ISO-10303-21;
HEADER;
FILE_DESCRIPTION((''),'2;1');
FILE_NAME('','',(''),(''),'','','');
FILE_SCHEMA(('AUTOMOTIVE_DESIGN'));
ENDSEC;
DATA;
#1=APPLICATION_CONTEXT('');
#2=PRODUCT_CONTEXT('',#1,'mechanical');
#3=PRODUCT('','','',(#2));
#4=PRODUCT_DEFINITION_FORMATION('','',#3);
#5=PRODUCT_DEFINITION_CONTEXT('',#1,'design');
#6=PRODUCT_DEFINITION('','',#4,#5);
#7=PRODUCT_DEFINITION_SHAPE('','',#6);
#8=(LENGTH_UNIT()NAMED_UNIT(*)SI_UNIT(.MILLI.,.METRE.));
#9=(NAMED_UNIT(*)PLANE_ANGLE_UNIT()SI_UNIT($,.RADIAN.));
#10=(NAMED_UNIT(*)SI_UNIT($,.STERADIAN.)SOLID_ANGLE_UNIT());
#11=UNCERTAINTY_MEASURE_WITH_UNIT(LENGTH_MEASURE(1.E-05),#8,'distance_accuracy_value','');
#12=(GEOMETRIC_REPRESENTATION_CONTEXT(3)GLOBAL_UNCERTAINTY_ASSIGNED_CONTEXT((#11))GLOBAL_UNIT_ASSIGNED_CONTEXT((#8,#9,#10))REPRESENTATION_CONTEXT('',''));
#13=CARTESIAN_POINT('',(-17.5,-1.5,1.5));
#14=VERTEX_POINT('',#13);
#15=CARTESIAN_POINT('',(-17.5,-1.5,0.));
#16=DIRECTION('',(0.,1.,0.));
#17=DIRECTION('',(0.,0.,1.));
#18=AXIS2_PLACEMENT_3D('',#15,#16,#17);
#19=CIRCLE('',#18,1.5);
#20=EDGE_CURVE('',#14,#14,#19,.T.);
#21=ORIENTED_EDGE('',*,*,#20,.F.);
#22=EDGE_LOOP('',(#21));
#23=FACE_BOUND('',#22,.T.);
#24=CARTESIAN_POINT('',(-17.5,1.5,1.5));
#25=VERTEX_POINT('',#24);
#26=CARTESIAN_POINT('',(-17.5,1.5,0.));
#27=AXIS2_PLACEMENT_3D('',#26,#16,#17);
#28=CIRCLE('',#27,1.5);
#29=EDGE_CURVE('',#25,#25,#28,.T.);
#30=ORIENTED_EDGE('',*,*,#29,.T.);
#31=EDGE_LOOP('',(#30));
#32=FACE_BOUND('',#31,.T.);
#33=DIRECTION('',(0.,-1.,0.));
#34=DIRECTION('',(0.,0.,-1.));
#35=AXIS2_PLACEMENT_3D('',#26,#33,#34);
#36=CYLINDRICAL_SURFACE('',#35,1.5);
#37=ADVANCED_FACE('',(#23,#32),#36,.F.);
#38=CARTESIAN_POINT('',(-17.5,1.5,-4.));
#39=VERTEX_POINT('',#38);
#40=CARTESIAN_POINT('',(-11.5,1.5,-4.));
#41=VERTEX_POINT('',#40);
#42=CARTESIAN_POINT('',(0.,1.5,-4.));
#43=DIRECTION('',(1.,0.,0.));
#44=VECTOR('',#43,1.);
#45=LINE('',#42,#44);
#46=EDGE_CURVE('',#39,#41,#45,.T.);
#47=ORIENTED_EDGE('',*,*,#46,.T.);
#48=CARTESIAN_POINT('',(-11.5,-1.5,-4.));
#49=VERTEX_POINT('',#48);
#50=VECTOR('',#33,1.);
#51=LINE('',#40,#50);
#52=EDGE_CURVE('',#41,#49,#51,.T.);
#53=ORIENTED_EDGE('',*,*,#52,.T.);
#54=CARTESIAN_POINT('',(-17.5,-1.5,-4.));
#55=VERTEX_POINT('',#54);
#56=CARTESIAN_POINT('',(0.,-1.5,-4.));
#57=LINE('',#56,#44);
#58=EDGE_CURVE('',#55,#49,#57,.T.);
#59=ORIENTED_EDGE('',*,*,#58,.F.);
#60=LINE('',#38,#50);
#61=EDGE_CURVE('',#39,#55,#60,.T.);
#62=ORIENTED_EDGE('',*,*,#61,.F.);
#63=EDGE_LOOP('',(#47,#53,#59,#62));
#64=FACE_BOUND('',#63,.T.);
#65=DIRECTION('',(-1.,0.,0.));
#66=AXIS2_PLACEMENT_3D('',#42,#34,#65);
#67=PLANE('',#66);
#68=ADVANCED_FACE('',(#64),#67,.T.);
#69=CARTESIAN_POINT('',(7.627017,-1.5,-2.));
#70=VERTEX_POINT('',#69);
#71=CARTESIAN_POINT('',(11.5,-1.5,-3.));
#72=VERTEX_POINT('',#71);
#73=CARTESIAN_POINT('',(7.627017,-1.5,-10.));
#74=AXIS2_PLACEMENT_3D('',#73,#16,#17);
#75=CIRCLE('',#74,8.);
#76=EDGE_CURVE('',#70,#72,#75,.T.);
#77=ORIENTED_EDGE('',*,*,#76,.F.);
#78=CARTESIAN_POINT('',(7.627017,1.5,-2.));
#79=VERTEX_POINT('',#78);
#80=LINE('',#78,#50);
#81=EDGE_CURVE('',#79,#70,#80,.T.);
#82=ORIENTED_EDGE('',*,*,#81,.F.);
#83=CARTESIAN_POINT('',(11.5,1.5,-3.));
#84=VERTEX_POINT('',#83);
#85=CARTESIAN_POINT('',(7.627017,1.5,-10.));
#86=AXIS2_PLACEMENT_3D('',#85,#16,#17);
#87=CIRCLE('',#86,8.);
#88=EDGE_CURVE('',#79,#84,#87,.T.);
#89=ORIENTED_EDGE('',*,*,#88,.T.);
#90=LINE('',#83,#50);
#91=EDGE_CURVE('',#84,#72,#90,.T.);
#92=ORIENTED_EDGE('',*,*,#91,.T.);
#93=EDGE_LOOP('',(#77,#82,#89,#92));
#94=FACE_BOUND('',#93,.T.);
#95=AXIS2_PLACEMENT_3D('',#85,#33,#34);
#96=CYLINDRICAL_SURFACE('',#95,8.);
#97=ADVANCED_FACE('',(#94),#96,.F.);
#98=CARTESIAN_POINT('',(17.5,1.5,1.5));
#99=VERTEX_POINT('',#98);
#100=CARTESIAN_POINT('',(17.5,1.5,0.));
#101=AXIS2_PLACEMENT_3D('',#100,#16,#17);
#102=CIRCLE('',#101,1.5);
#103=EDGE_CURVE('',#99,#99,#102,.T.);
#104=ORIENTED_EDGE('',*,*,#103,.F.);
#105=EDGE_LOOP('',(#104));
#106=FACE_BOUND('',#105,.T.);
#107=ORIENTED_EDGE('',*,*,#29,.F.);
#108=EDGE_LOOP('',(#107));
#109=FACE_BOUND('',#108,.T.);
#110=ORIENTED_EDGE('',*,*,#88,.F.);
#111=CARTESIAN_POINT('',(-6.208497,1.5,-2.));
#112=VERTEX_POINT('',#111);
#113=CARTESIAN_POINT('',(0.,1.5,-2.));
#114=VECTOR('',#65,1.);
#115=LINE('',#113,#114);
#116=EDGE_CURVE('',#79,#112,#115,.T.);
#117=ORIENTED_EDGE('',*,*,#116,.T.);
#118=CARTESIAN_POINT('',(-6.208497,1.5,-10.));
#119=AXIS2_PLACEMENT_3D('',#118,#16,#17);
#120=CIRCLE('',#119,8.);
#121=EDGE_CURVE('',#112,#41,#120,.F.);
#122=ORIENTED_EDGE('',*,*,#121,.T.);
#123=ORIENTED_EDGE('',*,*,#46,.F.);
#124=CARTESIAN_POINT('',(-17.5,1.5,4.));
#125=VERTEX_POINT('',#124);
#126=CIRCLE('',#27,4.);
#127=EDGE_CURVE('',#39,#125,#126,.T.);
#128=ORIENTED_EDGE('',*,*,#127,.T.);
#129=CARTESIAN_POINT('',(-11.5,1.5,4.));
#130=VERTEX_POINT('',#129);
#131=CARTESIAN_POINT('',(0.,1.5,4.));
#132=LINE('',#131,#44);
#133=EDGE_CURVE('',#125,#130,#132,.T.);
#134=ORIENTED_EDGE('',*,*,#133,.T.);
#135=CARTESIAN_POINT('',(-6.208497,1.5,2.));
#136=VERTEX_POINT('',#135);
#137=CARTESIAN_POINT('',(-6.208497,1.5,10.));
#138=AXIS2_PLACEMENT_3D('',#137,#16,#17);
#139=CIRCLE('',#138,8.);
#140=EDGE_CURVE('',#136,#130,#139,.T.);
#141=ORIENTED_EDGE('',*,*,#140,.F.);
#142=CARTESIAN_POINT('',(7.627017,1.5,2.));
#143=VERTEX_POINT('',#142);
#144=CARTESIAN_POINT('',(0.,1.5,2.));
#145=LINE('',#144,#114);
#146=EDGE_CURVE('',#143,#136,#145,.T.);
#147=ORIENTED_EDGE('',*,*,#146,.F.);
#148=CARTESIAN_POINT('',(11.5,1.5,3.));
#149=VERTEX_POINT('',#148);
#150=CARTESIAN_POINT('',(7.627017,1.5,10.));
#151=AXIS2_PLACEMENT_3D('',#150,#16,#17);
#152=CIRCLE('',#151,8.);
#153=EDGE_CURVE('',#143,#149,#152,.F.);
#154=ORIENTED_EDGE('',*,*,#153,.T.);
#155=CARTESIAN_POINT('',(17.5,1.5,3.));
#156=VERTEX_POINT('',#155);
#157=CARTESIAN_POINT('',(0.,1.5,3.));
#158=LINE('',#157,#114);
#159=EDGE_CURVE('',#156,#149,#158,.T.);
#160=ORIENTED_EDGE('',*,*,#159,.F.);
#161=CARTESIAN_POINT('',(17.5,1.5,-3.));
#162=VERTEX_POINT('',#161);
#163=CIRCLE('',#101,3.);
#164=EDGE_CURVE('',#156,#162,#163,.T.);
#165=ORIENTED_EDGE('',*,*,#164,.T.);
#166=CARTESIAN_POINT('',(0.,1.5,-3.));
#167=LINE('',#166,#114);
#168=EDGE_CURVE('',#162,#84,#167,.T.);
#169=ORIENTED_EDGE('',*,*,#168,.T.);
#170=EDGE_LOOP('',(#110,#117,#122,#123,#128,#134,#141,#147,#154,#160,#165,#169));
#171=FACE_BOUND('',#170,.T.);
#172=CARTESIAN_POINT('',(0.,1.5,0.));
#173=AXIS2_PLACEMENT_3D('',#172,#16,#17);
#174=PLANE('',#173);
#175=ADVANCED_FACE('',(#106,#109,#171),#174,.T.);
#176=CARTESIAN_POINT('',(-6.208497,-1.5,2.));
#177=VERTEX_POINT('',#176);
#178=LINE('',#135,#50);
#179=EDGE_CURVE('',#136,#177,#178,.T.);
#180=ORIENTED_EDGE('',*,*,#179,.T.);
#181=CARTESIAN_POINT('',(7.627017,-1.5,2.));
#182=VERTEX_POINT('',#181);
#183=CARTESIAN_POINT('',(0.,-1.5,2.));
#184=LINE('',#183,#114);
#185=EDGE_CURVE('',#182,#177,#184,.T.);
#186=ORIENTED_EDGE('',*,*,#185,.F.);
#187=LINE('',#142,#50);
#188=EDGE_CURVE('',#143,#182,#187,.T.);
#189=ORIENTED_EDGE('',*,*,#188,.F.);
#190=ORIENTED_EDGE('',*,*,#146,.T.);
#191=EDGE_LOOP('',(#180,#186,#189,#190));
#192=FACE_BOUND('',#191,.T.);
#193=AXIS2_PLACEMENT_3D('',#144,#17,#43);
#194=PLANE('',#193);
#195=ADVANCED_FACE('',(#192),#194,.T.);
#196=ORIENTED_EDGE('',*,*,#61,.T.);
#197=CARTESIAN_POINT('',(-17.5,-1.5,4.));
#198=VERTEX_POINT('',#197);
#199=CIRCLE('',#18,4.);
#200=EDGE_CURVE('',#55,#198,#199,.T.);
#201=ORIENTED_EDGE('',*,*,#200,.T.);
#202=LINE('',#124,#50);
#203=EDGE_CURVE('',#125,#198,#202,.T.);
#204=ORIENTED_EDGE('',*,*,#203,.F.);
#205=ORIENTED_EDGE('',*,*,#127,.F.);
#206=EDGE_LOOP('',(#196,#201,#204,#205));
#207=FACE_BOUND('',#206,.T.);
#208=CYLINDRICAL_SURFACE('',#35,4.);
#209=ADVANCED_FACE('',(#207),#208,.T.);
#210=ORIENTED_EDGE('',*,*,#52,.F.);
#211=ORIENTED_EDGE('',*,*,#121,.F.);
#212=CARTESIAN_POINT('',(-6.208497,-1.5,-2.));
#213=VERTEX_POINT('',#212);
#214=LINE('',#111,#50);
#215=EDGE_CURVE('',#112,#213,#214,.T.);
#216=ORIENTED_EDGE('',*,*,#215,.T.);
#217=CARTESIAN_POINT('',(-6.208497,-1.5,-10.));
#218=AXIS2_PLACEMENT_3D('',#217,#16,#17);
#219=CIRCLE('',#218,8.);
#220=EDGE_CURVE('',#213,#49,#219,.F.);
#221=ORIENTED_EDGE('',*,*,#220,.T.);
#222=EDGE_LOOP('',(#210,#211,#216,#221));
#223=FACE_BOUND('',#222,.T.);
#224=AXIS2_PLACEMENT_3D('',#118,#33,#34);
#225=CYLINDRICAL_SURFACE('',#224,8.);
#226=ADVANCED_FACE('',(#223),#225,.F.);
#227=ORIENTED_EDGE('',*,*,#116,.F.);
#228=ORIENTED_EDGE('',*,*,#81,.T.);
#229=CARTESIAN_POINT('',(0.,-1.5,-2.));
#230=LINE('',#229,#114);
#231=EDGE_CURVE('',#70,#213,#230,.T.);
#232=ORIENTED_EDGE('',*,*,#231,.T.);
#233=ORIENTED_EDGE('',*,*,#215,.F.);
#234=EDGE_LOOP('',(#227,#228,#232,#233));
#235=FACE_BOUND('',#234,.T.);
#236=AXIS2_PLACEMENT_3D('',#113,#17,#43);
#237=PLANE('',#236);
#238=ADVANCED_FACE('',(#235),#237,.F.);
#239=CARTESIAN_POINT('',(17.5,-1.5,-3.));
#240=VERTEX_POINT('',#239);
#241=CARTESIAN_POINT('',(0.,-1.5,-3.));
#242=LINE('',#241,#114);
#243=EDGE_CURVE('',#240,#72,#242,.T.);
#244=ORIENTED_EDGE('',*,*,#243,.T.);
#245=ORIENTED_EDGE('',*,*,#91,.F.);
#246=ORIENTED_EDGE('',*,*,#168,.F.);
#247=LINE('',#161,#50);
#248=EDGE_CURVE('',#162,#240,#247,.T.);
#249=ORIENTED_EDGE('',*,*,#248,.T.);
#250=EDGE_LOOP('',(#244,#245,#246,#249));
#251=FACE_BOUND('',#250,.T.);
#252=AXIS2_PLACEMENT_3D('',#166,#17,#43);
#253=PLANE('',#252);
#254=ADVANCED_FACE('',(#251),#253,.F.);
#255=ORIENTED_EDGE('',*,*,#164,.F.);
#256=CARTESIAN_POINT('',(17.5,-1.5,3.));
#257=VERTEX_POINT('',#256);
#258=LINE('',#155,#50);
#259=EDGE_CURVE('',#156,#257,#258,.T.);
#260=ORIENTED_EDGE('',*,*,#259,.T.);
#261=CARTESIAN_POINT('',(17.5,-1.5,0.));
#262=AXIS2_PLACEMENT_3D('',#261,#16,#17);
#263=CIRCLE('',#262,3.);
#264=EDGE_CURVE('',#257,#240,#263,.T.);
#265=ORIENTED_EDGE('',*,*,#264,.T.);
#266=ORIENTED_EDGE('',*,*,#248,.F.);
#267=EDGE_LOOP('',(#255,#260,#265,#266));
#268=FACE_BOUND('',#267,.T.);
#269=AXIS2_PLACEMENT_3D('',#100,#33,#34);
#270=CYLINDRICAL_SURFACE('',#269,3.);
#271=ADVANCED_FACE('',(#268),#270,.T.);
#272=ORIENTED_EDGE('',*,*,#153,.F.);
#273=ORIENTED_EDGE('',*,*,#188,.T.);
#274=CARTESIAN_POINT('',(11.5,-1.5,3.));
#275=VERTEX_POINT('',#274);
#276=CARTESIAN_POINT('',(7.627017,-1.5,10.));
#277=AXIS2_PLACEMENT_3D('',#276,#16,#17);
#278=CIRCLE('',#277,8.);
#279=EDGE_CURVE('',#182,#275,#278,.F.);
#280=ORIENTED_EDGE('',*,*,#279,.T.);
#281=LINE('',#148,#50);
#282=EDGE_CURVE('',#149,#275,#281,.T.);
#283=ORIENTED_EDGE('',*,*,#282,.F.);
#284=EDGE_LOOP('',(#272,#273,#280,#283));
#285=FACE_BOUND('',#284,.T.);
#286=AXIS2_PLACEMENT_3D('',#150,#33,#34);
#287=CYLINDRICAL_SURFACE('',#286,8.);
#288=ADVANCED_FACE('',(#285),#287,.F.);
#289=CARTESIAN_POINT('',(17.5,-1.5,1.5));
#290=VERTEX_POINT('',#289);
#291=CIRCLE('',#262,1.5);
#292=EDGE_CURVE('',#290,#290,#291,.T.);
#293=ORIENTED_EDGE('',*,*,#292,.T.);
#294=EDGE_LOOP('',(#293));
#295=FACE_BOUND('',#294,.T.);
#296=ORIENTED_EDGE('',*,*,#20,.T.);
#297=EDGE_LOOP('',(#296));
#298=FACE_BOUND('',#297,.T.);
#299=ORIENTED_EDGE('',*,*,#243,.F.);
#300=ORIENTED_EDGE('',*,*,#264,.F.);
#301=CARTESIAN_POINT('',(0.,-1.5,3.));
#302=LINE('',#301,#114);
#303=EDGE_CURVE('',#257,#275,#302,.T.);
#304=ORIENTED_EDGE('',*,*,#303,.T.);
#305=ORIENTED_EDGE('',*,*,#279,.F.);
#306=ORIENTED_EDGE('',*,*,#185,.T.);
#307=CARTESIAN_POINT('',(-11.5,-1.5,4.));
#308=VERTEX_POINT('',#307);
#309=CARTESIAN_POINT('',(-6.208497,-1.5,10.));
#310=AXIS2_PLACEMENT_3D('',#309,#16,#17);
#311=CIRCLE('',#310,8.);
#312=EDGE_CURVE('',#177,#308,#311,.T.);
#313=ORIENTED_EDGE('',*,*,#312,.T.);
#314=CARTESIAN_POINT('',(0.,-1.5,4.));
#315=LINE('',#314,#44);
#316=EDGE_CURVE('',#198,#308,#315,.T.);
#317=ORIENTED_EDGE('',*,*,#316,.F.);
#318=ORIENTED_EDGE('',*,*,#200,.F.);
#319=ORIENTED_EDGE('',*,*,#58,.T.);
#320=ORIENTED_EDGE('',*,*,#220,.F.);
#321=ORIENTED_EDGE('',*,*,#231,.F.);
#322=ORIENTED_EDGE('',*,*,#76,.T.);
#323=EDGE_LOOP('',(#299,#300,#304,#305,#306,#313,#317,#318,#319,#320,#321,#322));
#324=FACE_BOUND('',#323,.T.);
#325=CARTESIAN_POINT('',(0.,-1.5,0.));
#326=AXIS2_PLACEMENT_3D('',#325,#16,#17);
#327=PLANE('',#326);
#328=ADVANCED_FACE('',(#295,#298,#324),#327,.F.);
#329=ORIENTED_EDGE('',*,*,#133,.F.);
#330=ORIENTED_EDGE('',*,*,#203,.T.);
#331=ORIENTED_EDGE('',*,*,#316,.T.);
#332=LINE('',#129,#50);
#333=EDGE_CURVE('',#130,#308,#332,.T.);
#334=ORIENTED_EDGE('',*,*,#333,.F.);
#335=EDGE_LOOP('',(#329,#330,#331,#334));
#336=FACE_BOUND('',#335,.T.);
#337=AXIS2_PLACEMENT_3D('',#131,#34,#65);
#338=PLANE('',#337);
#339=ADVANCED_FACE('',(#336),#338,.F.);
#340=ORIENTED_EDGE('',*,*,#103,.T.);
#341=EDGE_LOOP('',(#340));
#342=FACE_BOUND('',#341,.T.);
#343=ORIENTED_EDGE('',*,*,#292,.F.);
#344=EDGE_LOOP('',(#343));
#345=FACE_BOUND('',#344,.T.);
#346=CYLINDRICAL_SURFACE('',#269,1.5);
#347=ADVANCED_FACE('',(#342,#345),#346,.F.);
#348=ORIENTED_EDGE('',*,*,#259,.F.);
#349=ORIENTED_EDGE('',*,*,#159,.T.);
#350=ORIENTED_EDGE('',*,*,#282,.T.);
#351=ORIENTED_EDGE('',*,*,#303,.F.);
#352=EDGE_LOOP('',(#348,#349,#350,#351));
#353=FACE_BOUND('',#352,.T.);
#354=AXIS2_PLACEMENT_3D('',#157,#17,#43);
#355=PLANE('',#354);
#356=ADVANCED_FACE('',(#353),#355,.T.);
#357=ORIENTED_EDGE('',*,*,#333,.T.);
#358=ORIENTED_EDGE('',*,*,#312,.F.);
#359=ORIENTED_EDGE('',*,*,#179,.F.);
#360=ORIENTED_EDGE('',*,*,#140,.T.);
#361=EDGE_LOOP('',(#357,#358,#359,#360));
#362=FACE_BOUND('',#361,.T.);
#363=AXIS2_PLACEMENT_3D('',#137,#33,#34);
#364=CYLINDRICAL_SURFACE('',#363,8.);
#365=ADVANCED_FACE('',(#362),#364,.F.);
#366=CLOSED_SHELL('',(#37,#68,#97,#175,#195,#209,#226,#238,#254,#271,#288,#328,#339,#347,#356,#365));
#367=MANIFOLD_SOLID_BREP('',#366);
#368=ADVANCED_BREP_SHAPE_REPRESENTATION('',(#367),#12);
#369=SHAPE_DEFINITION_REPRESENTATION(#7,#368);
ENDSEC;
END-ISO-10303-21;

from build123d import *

# Parameters (mm, degrees)
SKETCH1_R           = 1.5
BOSS_EXTRUDE1_DEPTH = 1.5


with BuildPart() as part:
    # Sketch1 → Boss-Extrude1 (new, symmetric)
    with BuildSketch(Plane(origin=(0, 0, 0), x_dir=(1, 0, 0), z_dir=(0, 1, 0))):
        with BuildLine():
            ThreePointArc((-17.5, 4), (-21.5, 0), (-17.5, -4))
            Line((-17.5, -4), (-11.5, -4))
            ThreePointArc((-11.5, -4), (-9.036924503, -2.516685226), (-6.208497378, -2))
            Line((-6.208497378, -2), (7.627016654, -2))
            ThreePointArc((7.627016654, -2), (9.627016654, -2.254033308), (11.5, -3))
            Line((11.5, -3), (17.5, -3))
            ThreePointArc((17.5, -3), (20.5, 0), (17.5, 3))
            Line((17.5, 3), (11.5, 3))
            ThreePointArc((11.5, 3), (9.627016654, 2.254033308), (7.627016654, 2))
            Line((7.627016654, 2), (-6.208497378, 2))
            ThreePointArc((-6.208497378, 2), (-9.036924503, 2.516685226), (-11.5, 4))
            Line((-11.5, 4), (-17.5, 4))
        make_face()
        with Locations((-17.5, 0)):
            Circle(SKETCH1_R, mode=Mode.SUBTRACT)
        with Locations((17.5, 0)):
            Circle(SKETCH1_R, mode=Mode.SUBTRACT)
    extrude(amount=BOSS_EXTRUDE1_DEPTH, both=True)


solid = part.part
